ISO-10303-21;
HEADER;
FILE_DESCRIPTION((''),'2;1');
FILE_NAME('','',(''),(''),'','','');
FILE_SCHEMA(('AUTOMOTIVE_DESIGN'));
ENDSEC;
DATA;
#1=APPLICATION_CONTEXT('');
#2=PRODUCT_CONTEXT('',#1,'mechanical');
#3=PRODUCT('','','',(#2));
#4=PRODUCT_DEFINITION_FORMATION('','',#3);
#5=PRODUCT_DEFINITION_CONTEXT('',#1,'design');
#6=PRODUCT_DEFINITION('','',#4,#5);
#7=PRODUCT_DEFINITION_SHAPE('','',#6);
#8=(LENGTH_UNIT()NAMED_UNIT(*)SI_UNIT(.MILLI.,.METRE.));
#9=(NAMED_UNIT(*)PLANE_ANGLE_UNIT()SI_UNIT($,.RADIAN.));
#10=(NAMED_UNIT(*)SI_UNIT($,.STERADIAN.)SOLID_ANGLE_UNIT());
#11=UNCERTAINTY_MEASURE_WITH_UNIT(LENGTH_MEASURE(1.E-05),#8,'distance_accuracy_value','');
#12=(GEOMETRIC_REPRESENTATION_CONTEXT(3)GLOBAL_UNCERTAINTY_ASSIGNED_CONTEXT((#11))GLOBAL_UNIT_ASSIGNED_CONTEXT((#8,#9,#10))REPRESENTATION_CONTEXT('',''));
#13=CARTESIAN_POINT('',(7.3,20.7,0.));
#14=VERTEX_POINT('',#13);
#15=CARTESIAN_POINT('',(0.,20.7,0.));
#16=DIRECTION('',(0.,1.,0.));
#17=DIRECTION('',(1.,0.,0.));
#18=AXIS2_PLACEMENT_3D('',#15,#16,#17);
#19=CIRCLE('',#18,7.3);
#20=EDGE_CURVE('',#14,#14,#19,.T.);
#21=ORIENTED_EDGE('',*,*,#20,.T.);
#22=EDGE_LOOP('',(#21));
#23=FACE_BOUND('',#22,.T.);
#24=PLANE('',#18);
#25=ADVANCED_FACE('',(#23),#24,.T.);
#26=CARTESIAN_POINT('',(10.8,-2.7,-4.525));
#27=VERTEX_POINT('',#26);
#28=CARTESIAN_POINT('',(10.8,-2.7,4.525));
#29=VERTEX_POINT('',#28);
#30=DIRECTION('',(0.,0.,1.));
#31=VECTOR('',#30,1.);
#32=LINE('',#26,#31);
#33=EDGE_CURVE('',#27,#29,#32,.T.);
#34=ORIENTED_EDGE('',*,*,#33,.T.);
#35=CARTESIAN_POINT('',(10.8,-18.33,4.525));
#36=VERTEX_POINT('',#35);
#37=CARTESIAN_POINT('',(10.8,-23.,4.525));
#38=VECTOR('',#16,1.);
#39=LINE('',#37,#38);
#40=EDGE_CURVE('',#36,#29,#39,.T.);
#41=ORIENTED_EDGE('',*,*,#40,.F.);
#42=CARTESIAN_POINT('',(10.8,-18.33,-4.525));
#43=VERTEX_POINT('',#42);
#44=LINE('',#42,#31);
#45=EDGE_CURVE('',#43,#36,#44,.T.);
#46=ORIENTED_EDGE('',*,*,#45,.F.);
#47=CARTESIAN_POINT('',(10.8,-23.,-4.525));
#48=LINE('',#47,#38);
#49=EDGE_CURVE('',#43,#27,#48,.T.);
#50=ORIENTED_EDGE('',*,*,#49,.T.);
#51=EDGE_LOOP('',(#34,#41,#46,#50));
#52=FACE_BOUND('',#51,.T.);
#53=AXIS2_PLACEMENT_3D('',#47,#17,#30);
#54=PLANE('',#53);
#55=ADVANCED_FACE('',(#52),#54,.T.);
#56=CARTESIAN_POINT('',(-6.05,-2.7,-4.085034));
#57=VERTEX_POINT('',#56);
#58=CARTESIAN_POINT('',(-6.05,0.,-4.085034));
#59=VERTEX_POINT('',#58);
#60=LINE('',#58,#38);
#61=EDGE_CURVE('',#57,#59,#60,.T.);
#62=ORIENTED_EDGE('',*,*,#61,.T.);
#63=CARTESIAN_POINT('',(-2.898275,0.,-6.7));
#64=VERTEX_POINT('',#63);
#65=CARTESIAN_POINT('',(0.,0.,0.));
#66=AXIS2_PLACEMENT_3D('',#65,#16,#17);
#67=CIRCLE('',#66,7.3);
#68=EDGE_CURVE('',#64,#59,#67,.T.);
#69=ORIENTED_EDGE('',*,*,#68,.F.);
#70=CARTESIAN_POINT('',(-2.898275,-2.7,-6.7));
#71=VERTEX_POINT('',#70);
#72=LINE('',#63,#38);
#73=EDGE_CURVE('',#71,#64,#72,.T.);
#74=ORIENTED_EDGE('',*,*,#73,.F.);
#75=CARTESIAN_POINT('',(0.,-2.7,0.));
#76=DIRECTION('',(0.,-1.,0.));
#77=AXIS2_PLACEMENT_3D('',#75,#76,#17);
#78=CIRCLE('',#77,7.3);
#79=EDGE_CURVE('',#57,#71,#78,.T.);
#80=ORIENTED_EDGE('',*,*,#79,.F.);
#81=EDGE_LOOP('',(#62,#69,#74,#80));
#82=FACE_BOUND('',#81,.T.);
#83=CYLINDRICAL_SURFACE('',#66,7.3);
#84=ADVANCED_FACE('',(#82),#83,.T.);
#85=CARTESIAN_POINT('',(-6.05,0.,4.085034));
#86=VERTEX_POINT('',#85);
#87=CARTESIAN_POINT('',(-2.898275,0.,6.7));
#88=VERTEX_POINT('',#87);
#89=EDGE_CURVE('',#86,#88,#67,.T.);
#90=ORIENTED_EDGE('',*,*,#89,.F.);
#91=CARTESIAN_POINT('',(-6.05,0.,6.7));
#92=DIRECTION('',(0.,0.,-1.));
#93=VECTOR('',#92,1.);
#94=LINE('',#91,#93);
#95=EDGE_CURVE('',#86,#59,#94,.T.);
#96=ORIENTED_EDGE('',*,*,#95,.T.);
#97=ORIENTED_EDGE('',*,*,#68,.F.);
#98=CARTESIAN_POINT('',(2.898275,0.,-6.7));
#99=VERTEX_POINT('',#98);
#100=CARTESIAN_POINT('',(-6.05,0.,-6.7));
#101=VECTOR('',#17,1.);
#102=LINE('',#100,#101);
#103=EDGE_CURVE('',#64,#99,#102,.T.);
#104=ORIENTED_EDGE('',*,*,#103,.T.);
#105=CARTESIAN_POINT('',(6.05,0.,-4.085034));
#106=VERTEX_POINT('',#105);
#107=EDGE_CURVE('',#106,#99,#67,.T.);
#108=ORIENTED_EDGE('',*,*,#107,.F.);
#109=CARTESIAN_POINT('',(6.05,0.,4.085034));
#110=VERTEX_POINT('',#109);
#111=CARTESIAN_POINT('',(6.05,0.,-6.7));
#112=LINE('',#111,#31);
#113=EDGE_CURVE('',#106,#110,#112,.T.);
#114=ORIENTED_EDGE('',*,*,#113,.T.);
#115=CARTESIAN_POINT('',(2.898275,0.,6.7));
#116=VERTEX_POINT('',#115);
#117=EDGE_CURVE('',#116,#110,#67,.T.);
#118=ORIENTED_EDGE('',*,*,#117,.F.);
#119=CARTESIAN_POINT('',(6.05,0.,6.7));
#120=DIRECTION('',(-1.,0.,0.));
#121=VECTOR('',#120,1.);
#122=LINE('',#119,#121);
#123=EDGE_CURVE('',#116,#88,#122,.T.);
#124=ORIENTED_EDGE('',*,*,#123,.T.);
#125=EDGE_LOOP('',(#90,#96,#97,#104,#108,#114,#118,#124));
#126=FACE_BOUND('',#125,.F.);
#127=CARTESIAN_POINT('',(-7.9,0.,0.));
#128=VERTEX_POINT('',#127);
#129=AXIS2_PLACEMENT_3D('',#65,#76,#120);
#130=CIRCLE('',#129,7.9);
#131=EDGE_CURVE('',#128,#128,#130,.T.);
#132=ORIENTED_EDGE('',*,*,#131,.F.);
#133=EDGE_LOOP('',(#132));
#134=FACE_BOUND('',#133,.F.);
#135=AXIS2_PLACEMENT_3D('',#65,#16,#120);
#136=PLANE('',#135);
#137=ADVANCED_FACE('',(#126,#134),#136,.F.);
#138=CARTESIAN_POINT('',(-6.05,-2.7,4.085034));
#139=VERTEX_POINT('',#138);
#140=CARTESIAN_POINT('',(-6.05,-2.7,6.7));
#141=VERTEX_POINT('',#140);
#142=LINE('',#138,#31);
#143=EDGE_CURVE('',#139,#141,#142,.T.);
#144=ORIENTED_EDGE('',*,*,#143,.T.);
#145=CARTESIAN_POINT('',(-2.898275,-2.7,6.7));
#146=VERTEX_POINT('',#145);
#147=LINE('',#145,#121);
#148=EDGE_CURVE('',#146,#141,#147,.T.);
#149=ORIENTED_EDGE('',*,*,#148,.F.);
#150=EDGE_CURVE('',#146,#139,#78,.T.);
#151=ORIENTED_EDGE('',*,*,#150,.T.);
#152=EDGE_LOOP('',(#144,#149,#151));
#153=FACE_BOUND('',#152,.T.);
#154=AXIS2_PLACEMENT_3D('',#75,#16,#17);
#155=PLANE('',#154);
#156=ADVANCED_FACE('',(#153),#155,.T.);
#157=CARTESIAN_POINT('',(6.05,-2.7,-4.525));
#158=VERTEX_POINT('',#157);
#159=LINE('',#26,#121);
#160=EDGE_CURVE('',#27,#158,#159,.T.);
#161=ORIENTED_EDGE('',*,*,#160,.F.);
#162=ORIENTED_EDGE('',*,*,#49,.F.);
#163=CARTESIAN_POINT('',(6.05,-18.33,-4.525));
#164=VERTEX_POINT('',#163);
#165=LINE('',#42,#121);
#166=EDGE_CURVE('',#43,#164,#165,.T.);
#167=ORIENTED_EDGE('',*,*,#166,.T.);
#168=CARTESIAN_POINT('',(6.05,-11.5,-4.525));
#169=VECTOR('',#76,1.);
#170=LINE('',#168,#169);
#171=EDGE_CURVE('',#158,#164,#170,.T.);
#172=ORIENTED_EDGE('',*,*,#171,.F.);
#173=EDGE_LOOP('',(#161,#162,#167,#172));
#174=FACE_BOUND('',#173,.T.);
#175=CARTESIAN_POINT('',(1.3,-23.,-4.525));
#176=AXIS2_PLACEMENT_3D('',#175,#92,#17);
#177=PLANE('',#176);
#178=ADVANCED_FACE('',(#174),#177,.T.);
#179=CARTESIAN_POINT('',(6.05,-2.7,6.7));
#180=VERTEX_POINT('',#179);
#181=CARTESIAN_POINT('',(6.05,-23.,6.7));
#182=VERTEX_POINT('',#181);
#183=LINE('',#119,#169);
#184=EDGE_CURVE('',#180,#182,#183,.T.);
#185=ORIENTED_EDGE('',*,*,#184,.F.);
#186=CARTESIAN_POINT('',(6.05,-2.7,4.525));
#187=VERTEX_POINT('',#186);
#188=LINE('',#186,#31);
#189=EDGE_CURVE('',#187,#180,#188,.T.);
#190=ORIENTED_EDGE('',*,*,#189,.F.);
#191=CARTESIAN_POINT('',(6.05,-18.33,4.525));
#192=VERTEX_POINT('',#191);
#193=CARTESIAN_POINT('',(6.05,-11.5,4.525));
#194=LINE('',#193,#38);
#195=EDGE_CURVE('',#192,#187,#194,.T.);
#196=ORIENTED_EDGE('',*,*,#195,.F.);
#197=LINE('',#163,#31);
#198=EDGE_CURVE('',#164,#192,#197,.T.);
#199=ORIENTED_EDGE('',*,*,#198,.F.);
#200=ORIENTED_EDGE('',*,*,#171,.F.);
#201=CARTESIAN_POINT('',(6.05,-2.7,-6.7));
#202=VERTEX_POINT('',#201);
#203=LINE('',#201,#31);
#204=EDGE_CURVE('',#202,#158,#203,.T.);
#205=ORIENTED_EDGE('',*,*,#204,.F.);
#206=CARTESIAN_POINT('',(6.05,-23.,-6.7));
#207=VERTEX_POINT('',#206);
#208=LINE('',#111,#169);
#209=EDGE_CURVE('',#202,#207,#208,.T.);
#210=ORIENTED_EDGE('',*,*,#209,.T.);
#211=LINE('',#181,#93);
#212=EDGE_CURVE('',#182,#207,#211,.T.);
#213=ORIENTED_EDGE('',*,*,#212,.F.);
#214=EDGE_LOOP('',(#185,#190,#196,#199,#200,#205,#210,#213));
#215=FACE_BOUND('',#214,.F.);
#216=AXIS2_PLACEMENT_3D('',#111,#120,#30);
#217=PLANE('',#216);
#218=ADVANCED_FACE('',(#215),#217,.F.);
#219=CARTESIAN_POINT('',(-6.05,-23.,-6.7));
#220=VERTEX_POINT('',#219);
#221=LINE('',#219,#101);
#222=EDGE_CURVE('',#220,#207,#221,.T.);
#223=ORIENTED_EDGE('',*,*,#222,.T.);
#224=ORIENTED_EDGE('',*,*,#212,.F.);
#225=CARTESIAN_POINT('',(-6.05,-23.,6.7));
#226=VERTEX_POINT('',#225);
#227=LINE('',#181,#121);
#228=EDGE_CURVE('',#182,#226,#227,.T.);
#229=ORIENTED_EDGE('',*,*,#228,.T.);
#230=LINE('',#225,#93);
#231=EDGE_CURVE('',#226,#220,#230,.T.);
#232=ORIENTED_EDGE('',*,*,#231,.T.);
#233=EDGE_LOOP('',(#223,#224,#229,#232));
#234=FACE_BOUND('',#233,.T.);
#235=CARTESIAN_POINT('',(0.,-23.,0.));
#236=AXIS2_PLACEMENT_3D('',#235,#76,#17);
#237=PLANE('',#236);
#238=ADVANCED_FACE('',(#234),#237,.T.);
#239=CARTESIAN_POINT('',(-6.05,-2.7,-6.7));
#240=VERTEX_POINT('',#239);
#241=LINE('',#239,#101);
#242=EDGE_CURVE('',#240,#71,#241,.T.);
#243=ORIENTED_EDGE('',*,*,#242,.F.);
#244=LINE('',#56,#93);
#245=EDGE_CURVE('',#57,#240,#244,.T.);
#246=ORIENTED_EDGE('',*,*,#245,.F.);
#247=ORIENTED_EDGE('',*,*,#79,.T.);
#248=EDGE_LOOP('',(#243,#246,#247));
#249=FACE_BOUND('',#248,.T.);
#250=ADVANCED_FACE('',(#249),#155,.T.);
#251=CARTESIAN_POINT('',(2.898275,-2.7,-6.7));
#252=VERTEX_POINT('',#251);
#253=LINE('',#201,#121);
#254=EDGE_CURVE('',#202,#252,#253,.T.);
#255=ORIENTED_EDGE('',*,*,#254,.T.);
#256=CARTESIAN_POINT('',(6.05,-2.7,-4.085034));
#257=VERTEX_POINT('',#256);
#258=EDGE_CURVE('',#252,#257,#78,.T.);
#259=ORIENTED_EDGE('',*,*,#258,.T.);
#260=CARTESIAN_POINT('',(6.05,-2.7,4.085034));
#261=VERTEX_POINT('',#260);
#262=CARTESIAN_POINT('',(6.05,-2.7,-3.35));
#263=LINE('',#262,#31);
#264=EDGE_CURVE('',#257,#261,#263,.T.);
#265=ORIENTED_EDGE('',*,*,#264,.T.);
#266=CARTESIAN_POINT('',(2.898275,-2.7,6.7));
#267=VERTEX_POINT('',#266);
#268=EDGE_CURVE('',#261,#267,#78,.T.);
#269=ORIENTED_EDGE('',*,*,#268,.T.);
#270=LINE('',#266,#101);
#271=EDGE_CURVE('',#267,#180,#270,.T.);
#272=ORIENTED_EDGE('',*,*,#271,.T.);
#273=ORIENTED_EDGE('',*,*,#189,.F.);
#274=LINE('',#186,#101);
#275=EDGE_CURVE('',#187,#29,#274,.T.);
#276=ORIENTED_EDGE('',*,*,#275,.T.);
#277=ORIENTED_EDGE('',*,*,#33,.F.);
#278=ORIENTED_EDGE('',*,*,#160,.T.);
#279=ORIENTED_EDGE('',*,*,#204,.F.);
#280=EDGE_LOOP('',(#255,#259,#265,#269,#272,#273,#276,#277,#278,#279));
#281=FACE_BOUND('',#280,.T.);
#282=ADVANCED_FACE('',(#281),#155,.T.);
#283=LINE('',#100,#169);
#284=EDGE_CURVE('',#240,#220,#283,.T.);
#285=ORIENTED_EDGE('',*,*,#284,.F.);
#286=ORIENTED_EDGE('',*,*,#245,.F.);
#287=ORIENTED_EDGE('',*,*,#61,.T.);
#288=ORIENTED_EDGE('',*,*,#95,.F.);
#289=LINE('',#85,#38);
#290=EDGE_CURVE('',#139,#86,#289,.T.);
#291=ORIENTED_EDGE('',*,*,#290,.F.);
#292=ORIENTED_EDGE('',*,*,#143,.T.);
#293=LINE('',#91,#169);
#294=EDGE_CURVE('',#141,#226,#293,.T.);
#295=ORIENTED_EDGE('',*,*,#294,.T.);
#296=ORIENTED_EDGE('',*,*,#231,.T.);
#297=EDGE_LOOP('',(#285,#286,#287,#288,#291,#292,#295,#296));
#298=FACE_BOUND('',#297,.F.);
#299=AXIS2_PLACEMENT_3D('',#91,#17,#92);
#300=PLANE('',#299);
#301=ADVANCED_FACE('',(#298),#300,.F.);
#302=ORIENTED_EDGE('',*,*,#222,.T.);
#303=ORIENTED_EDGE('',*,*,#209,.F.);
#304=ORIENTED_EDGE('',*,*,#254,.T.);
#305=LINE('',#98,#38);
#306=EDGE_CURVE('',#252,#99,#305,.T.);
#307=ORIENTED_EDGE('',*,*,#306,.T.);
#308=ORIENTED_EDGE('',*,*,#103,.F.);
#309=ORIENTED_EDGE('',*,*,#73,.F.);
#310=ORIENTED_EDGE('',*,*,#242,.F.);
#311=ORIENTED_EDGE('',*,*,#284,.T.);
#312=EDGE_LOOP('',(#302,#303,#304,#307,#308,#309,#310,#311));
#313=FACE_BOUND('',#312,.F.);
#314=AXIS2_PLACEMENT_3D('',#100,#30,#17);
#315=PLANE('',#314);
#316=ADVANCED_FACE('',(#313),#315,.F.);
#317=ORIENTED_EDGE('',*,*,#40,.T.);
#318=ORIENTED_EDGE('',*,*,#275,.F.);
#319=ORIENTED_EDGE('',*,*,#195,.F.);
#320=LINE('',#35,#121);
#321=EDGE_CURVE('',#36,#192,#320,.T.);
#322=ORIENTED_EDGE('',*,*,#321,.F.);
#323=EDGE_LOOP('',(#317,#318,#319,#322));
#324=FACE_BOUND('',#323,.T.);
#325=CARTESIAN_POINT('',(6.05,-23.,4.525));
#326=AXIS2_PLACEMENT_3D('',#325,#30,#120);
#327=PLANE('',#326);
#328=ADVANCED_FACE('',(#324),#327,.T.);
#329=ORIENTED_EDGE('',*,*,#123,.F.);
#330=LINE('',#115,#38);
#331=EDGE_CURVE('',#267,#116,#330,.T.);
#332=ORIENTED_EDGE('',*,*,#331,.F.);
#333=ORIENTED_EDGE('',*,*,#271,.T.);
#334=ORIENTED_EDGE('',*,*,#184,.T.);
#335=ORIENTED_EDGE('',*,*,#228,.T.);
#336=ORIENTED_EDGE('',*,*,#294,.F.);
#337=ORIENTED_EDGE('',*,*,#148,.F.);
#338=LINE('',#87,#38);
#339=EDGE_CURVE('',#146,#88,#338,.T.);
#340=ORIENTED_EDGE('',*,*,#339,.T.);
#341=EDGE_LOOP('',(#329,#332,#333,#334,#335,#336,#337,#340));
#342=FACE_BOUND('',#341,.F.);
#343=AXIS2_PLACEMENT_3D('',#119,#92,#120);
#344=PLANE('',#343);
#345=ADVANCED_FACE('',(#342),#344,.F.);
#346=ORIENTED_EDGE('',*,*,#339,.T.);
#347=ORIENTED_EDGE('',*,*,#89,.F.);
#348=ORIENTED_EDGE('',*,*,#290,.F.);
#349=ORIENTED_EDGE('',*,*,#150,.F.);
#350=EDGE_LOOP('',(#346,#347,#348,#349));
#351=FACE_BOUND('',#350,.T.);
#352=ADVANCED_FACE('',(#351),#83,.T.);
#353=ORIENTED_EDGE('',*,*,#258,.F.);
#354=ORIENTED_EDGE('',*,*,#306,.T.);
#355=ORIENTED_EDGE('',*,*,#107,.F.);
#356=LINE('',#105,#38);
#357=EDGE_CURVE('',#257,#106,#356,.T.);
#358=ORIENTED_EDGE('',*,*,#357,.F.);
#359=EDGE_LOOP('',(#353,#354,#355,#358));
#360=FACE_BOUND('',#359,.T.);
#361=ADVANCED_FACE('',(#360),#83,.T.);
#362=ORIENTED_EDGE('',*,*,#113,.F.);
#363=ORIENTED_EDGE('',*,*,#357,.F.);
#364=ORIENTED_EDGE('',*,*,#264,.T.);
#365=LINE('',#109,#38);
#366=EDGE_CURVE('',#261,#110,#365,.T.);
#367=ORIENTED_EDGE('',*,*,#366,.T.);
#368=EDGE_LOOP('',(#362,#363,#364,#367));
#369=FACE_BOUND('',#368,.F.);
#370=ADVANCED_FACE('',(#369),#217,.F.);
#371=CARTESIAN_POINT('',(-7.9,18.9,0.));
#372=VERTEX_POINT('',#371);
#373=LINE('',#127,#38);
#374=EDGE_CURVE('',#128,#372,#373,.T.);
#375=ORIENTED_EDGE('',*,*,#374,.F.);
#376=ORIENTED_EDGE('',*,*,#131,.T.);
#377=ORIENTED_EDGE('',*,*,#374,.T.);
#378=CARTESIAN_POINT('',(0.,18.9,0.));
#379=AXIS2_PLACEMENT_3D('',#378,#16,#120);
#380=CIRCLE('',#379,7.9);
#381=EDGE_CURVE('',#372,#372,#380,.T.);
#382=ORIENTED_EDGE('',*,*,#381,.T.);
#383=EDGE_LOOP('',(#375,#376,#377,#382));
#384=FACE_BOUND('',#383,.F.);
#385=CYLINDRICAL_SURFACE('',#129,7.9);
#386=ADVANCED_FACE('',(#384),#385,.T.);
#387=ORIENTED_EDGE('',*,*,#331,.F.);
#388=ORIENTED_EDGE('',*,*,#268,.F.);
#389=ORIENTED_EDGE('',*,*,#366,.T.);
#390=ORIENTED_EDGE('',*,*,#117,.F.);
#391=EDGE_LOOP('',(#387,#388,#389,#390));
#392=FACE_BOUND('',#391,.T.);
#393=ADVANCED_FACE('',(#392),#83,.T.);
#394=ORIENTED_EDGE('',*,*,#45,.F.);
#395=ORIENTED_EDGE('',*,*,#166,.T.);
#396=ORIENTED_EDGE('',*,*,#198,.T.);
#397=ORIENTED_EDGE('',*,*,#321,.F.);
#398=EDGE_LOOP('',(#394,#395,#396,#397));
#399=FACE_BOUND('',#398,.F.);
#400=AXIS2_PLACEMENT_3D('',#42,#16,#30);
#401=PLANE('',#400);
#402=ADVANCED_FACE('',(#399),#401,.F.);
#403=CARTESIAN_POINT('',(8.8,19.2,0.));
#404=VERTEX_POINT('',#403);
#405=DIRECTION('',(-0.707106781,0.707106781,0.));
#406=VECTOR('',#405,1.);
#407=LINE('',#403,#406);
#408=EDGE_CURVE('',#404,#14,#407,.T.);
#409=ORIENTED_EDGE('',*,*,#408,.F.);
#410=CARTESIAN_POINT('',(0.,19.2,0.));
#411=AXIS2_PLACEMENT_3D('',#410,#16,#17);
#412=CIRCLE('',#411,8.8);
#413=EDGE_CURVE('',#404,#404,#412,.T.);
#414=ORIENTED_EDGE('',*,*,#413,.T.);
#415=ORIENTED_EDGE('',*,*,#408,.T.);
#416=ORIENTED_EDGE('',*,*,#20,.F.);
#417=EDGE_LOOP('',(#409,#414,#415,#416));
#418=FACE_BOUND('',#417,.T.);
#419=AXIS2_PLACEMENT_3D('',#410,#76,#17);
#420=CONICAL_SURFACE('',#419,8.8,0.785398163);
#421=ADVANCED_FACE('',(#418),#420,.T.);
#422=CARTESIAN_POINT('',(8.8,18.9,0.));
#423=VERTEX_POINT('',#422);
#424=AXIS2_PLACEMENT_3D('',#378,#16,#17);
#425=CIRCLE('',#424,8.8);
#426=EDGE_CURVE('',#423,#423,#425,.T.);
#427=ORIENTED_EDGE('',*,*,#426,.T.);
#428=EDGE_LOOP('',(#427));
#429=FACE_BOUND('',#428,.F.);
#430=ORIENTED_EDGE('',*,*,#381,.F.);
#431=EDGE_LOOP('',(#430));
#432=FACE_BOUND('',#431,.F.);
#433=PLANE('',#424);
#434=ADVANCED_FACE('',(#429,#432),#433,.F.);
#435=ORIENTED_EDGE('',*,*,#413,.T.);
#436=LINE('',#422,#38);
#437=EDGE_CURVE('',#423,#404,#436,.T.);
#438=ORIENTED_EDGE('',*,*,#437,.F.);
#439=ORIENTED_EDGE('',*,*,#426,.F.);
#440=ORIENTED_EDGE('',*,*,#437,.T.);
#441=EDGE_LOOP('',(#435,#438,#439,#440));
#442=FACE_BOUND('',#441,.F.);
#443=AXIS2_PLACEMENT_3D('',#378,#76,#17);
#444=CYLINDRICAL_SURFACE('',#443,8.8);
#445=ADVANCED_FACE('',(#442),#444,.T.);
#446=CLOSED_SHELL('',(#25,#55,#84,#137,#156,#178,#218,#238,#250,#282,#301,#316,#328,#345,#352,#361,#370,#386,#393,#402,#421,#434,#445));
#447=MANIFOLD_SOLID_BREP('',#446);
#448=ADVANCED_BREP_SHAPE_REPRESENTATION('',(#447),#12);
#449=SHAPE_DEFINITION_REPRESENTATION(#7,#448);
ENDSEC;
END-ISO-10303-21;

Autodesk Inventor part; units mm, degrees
ref_plane "YZ Plane" through (0, 0, 0) normal (1, 0, 0) x (0, 1, 0)
ref_plane "XZ Plane" through (0, 0, 0) normal (0, 1, 0) x (-1, 0, 0)
ref_plane "XY Plane" through (0, 0, 0) normal (0, 0, 1) x (1, 0, 0)
sketch "Sketch1" plane through (0, 0, 0) normal (0, 1, 0) x (-1, 0, 0)
  circle A0 centre (0, 0) radius 7.9
  dimension "d0" = 15.8
extrude "Extrusion1" add sketch "Sketch1" along normal blind 18.9
sketch "Sketch2" plane through (0, 18.9, 0) normal (0, 1, 0) x (1, 0, 0)
  circle A0 centre (0, 0) radius 8.8
  dimension "d3" = 17.6
extrude "Extrusion2" add sketch "Sketch2" along normal blind 1.8
chamfer "Chamfer1" distance 1.5 angle 45 1 edges at (-8.8, 20.7, 0)
sketch "Sketch3" plane through (0, 0, 0) normal (0, -1, 0) x (1, 0, 0)
  line L0 (6.05, 6.7) -> (-6.05, 6.7)
  line L1 (-6.05, 6.7) -> (-6.05, -6.7)
  line L2 (-6.05, -6.7) -> (6.05, -6.7)
  line L3 (6.05, -6.7) -> (6.05, 6.7)
  line L4 (6.05, 6.7) -> (-6.05, -6.7) construction
  line L5 (-6.05, 6.7) -> (6.05, -6.7) construction
  point P0 (0, 0)
  dimension "d9" = 12.1
  dimension "d10" = 13.4
extrude "Extrusion3" add sketch "Sketch3" along normal blind 23
sketch "Sketch4" plane through (0, -23, 0) normal (0, -1, 0) x (1, 0, 0)
  line L0 (6.05, -6.7) -> (6.05, 6.7) projected
  line L1 (10.8, 4.525) -> (1.3, 4.525)
  line L2 (1.3, 4.525) -> (1.3, -4.525)
  line L3 (1.3, -4.525) -> (10.8, -4.525)
  line L4 (10.8, -4.525) -> (10.8, 4.525)
  line L5 (6.05, 5.0801) -> (6.05, -5.0801) projected
  line L6 (10.8, 4.525) -> (1.3, -4.525) construction
  line L7 (1.3, 4.525) -> (10.8, -4.525) construction
  point P0 (0, 0)
  point P1 (6.05, 0)
  dimension "d13" = 9.5
  dimension "d14" = 9.05
extrude "Extrusion4" add sketch "Sketch4" against normal blind 20.3
sketch "Sketch5" plane through (10.8, -23, 4.525) normal (1, 0, 0) x (0, 0, -1)
  line L0 (9.05, 0) -> (0, 0) projected
  line L1 (9.05, 4.67) -> (0, 4.67)
  line L2 (0, 4.67) -> (9.05, 4.67)
  line L3 (9.05, 4.67) -> (9.05, 0)
  line L4 (9.05, 0) -> (0, 0)
  line L5 (0, 0) -> (0, 4.67)
  point P0 (4.525, 23)
  point P1 (9.05, 4.67)
  dimension "d17" = 4.67
extrude "Extrusion5" cut sketch "Sketch5" against normal up to surface (4.75 mm away)
sketch "Sketch6" plane through (0, 0, 0) normal (0, 1, 0) x (1, 0, 0)
  circle A0 centre (0, 0) radius 7.3 projected
  circle A1 centre (0, 0) radius 8.35
  line L0 (6.05, -6.7) -> (4.1857, -6.7) projected
  line L1 (-4.1857, -6.7) -> (4.1857, -6.7) projected
  line L2 (-4.1857, -6.7) -> (-6.05, -6.7) projected
  line L3 (6.05, -6.7) -> (-6.05, -6.7) projected
  line L4 (6.05, -4.525) -> (6.05, 4.525) projected
  line L5 (6.05, -4.525) -> (6.05, 4.525) projected
  line L6 (6.05, 6.7) -> (6.05, -6.7) projected
  line L7 (6.05, 6.7) -> (6.05, 5.0801) projected
  line L8 (6.05, -5.0801) -> (6.05, 5.0801) projected
  line L9 (6.05, -5.0801) -> (6.05, -6.7) projected
  line L10 (-6.05, 6.7) -> (-4.1857, 6.7) projected
  line L11 (4.1857, 6.7) -> (-4.1857, 6.7) projected
  line L12 (4.1857, 6.7) -> (6.05, 6.7) projected
  line L13 (-6.05, 6.7) -> (6.05, 6.7) projected
  line L14 (-6.05, -6.7) -> (-6.05, -5.0801) projected
  line L15 (-6.05, 5.0801) -> (-6.05, -5.0801) projected
  line L16 (-6.05, 5.0801) -> (-6.05, 6.7) projected
  line L17 (-6.05, -6.7) -> (-6.05, 6.7) projected
  point P0 (6.05, -5.755)
  point P1 (6.05, 5.755)
  point P2 (4.9832, 6.7)
  point P3 (-4.9832, 6.7)
  point P4 (-6.05, 5.755)
  point P5 (-6.05, -5.755)
  point P6 (-4.9832, -6.7)
  point P7 (4.9832, -6.7)
  dimension "d20" = 16.7
extrude "Extrusion6" cut sketch "Sketch6" against normal up to surface (2.7 mm away) contours A0 L4 L6 A1 | A0 L11 L12 A1 L6 L4 | L4 L6 A1 L0 L1 A0 | A0 L11 L10 A1 L12 | L1 L0 A1 L2 A0 | A0 L15 L16 A1 L10 L11 | L1 L2 A1 L14 L15 A0 | A0 L15 L14 A1 L16 | L12 L6 A1 | A1 L6 L0 | A1 L16 L10 | L2 L14 A1
properties part number "LEDpower_switch"
